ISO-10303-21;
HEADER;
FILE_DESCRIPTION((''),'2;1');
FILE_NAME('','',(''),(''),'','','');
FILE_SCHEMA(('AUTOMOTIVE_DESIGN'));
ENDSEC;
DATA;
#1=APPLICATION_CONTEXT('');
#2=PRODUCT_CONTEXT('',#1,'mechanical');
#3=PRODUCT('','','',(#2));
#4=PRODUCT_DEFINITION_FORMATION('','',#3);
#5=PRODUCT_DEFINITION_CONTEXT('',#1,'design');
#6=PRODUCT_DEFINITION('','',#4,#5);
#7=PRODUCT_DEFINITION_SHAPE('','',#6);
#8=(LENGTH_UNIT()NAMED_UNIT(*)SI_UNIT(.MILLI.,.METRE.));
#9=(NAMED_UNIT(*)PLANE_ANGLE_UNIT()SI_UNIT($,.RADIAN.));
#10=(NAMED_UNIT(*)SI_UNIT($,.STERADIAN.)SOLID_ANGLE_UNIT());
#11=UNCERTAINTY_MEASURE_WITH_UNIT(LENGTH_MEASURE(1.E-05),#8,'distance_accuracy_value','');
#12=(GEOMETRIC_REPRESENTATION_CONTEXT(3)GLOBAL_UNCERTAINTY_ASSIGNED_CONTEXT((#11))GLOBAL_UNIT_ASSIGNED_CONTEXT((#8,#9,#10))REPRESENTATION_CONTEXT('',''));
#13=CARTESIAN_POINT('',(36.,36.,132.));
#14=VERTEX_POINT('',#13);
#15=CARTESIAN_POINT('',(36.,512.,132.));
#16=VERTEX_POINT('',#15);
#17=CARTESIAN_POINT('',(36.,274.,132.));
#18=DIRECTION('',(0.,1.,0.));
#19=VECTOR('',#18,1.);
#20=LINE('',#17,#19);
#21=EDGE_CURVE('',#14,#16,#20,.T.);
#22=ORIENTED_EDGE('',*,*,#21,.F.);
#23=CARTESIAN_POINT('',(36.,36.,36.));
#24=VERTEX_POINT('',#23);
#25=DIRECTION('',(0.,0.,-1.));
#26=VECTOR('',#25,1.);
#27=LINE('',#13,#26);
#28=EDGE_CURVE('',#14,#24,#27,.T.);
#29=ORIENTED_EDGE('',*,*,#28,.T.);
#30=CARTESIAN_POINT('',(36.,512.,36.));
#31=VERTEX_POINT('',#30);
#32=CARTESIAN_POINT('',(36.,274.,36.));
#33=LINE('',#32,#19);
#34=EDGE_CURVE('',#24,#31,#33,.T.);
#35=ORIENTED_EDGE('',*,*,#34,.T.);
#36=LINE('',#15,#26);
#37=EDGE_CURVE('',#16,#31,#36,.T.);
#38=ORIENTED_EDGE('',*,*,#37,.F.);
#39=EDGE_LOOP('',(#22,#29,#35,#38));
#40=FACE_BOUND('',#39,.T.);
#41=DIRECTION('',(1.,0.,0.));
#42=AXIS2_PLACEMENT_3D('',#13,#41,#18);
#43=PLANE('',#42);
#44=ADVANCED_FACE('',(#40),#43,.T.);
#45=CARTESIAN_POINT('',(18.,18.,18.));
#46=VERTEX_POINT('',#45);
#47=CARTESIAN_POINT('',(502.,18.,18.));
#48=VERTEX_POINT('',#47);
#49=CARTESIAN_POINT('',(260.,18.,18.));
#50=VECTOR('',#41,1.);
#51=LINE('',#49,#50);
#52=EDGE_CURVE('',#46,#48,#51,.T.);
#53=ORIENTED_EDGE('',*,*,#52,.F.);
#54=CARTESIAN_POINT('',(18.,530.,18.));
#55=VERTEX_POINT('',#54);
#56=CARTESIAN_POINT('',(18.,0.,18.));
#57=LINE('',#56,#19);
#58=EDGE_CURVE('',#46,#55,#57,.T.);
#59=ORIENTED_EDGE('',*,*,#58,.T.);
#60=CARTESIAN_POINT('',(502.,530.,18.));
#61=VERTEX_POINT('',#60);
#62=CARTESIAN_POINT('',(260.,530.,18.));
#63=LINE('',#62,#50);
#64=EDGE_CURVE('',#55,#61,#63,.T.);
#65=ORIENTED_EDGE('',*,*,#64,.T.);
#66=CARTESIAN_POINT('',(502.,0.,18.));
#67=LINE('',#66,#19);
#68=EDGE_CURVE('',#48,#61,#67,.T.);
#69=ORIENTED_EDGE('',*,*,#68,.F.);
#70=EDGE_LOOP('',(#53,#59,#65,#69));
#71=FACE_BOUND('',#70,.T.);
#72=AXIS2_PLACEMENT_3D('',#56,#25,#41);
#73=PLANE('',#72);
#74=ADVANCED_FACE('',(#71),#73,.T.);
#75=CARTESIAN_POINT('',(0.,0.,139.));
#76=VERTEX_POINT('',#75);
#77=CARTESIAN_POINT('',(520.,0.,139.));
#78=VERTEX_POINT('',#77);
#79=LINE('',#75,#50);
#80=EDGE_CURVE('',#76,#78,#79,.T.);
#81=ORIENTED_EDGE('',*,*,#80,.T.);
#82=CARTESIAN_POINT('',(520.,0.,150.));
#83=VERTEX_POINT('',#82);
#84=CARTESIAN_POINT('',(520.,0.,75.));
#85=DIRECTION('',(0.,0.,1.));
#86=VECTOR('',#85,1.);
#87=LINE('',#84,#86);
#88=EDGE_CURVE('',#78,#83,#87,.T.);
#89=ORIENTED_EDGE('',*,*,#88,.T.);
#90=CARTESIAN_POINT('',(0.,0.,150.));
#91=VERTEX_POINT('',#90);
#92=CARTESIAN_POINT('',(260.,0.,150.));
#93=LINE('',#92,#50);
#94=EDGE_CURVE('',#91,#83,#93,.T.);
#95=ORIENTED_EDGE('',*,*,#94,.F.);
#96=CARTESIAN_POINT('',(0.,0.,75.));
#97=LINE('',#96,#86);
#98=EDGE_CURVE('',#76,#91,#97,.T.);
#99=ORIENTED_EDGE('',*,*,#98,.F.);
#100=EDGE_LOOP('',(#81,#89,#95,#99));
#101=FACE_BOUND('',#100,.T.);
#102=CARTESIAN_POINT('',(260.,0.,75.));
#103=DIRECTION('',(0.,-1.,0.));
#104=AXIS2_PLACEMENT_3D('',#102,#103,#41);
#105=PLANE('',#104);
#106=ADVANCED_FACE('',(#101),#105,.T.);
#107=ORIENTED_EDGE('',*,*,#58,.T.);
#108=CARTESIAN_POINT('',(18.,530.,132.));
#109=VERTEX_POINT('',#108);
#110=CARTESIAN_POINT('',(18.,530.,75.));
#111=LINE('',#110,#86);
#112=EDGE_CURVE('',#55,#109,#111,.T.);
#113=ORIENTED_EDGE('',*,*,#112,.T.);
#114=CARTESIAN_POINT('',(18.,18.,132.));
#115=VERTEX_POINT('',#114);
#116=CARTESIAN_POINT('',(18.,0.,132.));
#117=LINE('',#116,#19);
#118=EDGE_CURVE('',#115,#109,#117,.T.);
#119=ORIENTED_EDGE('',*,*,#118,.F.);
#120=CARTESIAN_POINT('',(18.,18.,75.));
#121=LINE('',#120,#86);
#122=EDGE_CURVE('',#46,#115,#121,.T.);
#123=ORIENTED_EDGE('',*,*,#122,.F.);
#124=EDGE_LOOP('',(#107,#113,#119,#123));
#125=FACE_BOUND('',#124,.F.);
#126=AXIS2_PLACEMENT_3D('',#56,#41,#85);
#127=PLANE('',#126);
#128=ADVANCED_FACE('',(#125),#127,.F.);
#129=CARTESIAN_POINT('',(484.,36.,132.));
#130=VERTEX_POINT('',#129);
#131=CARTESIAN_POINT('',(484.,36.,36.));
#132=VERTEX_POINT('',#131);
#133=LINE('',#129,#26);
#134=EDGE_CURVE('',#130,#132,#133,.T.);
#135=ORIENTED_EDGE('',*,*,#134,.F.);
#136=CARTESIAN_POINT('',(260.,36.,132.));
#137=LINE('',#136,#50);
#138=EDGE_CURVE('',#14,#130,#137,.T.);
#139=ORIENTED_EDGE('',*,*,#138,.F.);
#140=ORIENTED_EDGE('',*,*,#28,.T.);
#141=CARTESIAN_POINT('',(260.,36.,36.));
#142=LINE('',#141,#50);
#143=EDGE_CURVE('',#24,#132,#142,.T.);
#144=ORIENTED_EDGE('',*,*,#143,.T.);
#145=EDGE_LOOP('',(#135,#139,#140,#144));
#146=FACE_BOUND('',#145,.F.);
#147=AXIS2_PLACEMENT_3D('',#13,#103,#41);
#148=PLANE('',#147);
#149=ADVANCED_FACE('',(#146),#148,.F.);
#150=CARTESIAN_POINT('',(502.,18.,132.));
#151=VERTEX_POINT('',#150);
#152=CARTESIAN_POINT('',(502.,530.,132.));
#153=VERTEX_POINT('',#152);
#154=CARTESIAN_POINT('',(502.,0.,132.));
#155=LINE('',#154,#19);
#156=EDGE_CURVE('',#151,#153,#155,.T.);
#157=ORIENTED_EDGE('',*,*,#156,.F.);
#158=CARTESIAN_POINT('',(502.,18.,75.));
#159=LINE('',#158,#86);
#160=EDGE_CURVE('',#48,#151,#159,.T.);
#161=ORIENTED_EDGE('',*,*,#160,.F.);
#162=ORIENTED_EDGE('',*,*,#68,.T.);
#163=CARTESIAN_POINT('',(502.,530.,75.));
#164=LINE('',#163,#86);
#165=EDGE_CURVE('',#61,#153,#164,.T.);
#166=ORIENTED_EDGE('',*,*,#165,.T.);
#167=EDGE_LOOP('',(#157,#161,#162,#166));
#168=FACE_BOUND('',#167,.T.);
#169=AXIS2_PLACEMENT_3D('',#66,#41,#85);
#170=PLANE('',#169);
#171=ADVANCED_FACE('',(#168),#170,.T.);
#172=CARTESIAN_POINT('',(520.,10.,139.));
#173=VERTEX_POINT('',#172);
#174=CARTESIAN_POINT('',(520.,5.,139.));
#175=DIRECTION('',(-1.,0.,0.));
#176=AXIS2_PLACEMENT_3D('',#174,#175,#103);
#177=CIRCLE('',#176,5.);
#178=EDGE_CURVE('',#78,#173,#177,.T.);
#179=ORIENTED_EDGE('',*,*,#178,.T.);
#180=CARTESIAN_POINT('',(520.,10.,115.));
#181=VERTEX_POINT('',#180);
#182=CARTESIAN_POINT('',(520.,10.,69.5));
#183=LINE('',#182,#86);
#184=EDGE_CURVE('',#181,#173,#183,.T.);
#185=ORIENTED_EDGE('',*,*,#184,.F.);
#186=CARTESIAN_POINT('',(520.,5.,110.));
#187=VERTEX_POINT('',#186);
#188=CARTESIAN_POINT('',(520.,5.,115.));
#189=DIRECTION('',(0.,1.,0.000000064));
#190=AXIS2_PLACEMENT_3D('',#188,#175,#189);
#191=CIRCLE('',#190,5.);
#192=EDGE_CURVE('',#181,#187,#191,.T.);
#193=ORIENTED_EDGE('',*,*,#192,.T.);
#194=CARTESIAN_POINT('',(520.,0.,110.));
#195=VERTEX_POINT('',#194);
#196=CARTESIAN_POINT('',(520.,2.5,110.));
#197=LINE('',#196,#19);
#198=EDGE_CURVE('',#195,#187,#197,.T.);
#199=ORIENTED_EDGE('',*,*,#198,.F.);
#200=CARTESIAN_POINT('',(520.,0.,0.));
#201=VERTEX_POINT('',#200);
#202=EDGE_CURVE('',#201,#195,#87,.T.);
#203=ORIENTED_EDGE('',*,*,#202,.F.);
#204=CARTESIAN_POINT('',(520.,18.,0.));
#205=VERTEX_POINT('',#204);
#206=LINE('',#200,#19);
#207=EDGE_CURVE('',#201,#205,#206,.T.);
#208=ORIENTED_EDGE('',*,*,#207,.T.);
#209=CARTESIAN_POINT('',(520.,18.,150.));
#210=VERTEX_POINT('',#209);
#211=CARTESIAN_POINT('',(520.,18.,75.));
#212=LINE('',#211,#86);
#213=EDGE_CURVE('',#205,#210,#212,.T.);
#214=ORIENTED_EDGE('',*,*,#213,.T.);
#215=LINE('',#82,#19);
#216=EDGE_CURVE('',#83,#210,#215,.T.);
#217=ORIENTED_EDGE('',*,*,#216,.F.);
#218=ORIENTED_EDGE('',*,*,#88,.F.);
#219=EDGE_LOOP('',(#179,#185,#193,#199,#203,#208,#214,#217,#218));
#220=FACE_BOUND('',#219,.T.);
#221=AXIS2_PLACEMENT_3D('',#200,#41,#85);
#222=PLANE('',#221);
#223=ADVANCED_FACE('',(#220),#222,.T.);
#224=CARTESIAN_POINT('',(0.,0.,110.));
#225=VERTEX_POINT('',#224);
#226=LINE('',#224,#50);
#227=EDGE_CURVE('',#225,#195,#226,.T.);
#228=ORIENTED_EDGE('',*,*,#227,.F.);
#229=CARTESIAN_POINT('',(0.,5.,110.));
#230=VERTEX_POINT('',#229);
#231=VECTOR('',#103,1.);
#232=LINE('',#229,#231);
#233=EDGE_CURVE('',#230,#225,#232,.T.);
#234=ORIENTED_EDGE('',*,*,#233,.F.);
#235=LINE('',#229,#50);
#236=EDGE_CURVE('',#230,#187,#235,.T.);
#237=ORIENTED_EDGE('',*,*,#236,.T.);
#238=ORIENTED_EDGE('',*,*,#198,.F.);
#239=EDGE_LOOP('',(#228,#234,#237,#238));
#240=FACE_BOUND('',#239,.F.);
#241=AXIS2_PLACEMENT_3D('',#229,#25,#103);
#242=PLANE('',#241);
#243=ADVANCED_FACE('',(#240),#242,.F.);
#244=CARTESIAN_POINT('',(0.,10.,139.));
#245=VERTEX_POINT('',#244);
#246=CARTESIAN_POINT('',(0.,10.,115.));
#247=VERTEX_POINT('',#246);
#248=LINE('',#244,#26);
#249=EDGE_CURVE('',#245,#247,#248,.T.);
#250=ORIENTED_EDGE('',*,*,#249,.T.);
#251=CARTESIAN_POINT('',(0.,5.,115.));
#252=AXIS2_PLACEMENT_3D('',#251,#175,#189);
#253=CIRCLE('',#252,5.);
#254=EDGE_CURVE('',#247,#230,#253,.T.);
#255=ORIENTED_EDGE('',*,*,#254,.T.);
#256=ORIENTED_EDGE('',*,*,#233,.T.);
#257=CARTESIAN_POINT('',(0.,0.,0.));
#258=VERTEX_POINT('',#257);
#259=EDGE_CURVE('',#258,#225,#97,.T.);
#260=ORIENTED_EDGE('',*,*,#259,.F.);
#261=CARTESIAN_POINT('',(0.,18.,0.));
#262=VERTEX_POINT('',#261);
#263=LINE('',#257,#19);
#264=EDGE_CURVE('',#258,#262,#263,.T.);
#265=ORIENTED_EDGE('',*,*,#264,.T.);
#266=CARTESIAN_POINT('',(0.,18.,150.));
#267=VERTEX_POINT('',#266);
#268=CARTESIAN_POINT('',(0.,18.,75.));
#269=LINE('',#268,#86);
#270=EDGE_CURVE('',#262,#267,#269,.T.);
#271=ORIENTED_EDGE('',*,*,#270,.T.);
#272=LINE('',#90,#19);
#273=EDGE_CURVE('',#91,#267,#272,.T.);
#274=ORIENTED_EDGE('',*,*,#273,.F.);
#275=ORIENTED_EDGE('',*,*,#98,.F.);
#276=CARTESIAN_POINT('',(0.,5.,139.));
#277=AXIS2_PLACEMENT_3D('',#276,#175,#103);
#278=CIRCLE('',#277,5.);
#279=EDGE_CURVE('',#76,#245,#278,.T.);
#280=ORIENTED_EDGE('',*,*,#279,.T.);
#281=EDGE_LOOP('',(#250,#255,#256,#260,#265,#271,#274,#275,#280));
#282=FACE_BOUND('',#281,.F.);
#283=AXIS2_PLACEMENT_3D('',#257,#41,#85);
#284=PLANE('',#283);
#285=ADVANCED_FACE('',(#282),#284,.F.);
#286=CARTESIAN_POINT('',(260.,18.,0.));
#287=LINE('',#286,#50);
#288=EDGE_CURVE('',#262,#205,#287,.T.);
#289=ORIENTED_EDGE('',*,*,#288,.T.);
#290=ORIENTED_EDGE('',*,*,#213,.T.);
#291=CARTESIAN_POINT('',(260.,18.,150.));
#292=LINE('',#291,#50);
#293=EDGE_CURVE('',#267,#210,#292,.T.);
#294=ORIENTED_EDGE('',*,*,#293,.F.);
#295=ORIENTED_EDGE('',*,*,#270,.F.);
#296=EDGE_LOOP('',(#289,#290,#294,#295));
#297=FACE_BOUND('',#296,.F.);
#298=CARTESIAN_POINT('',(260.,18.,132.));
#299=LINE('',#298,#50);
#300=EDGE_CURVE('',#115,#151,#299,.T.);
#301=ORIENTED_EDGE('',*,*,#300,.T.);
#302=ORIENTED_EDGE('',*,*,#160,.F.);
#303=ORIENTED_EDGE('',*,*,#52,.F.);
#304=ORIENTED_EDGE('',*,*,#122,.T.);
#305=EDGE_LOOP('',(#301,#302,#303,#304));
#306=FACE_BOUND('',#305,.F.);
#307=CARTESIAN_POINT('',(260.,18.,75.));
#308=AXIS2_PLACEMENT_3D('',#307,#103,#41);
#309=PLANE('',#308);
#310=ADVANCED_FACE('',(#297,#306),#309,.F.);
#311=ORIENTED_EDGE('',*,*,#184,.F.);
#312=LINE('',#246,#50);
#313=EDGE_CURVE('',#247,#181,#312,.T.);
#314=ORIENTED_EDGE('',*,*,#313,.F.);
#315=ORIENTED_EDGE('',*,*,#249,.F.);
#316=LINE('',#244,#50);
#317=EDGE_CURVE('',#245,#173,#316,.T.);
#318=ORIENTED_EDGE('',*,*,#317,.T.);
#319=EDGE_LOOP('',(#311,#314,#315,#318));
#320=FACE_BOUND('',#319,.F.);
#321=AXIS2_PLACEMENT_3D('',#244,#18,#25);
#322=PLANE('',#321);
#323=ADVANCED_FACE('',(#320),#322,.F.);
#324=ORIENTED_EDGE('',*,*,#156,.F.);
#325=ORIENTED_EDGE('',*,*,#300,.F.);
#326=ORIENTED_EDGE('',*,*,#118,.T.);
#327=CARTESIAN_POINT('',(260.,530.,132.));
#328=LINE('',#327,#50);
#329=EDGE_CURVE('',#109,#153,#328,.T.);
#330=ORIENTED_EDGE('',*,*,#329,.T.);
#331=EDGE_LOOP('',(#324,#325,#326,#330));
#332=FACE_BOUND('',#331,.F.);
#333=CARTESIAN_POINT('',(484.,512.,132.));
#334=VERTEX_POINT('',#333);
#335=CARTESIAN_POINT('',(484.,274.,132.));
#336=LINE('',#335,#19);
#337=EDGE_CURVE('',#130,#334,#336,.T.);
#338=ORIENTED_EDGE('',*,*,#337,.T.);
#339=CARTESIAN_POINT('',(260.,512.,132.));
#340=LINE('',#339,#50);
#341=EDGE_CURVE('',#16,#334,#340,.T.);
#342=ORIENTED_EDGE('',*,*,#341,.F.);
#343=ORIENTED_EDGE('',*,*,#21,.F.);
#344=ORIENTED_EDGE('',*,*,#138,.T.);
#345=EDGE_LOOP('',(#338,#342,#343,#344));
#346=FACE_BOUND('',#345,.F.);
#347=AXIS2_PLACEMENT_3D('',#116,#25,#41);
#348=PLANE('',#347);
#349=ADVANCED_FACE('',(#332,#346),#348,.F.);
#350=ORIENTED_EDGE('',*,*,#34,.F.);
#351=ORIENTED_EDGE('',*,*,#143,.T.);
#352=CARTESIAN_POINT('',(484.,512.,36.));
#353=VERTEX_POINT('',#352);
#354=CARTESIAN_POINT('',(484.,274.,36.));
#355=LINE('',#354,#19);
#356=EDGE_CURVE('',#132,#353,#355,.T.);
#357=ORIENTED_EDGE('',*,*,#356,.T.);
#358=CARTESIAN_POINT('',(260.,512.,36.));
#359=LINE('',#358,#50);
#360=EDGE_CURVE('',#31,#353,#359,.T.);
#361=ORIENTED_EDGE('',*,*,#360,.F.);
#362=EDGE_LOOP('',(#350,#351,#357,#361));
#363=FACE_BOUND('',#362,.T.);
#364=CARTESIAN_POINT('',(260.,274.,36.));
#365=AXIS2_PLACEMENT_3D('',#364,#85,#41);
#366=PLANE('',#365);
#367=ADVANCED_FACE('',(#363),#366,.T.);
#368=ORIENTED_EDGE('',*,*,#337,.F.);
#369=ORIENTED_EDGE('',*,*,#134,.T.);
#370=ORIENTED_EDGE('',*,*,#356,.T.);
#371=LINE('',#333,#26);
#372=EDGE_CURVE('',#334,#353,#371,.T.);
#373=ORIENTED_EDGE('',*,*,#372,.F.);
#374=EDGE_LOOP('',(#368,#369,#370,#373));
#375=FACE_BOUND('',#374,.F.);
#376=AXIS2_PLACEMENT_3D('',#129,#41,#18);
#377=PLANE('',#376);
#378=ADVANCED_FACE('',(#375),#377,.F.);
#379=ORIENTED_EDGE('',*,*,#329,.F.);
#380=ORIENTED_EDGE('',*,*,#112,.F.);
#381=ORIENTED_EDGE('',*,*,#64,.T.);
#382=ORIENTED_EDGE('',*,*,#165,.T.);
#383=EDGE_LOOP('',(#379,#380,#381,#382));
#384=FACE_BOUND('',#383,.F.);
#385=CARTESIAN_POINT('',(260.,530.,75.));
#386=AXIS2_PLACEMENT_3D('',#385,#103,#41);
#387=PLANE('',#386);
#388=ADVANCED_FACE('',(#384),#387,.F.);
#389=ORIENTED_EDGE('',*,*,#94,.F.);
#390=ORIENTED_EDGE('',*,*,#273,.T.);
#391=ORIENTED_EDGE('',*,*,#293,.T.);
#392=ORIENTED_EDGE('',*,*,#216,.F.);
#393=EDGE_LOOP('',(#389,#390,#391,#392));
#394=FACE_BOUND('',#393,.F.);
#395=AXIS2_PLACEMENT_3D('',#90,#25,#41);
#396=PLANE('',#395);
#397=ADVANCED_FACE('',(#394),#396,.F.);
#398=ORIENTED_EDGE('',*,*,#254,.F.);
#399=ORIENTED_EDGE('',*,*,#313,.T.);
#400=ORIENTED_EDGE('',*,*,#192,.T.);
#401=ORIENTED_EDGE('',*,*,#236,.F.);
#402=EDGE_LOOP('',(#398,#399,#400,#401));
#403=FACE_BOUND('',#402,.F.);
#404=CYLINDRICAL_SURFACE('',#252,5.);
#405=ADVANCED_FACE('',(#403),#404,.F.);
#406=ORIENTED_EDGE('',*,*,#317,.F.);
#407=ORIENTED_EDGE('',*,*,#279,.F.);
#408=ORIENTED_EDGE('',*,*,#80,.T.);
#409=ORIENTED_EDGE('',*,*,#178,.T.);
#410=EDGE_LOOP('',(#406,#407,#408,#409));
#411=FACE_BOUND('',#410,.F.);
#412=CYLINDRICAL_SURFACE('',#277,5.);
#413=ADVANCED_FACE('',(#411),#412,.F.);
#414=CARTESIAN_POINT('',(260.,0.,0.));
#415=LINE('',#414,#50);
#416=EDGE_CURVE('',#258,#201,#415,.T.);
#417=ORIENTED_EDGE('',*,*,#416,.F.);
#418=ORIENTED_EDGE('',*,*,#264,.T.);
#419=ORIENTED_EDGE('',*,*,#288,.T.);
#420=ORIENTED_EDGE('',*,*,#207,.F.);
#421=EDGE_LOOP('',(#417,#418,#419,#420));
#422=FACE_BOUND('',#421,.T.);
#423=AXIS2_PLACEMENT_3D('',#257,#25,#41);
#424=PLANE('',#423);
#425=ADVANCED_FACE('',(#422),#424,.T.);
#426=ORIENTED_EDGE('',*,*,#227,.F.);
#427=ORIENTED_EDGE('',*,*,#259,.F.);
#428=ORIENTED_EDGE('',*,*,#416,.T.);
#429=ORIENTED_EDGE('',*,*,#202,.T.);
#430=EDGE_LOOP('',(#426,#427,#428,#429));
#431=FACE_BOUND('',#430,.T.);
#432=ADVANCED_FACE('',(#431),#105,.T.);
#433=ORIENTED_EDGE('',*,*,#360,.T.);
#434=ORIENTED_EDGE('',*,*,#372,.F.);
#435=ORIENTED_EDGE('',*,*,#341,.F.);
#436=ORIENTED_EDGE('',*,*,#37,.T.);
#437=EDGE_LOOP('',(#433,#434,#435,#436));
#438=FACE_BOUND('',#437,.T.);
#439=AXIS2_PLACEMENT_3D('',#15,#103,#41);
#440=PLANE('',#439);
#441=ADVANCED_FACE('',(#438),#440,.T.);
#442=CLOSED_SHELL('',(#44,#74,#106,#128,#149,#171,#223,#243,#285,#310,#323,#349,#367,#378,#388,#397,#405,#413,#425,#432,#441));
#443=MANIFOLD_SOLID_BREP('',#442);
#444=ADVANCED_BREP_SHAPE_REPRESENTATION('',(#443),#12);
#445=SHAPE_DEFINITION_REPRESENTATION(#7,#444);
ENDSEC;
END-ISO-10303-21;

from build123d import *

# Parameters (mm, degrees)
F0_W     = 520
F0_H     = 150
F0_W_2   = 484
F0_H_2   = 114
F1_DEPTH = 18
F2_DEPTH = 530
F3_W     = 448
F3_H     = 476
F4_DEPTH = 96
F6_DEPTH = 539


with BuildPart() as f1:
    # F0 (on Front) → F1 (new body)
    with BuildSketch(Plane.XZ):
        with Locations((260, 75)):
            Rectangle(F0_W, F0_H)
        with Locations((260, 75)):
            Rectangle(F0_W_2, F0_H_2, mode=Mode.SUBTRACT)
    extrude(amount=-F1_DEPTH)

    # F0 (on Front) → F2 (join)
    with BuildSketch(Plane.XZ):
        with Locations((260, 75)):
            Rectangle(F0_W_2, F0_H_2)
    extrude(amount=-F2_DEPTH)

    # F3 (on face) → F4 (cut)
    with BuildSketch(Plane.XY.offset(132)):
        with Locations((260, 274)):
            Rectangle(F3_W, F3_H)
    extrude(amount=-F4_DEPTH, mode=Mode.SUBTRACT)

    # F5 (on face) → F6 (cut)
    with BuildSketch(Plane(origin=(0, 0, 0), x_dir=(0, -1, 0), z_dir=(-1, 0, 0))):
        with BuildLine():
            Line((-5, 110), (0, 110))
            Line((0, 110), (0, 139))
            ThreePointArc((0, 139), (-5, 144), (-10, 139))
            Line((-10, 139), (-10, 115))
            ThreePointArc((-10, 115), (-8.535534, 111.464466), (-5, 110))
        make_face()
    extrude(amount=-F6_DEPTH, mode=Mode.SUBTRACT)


solid = f1.part
